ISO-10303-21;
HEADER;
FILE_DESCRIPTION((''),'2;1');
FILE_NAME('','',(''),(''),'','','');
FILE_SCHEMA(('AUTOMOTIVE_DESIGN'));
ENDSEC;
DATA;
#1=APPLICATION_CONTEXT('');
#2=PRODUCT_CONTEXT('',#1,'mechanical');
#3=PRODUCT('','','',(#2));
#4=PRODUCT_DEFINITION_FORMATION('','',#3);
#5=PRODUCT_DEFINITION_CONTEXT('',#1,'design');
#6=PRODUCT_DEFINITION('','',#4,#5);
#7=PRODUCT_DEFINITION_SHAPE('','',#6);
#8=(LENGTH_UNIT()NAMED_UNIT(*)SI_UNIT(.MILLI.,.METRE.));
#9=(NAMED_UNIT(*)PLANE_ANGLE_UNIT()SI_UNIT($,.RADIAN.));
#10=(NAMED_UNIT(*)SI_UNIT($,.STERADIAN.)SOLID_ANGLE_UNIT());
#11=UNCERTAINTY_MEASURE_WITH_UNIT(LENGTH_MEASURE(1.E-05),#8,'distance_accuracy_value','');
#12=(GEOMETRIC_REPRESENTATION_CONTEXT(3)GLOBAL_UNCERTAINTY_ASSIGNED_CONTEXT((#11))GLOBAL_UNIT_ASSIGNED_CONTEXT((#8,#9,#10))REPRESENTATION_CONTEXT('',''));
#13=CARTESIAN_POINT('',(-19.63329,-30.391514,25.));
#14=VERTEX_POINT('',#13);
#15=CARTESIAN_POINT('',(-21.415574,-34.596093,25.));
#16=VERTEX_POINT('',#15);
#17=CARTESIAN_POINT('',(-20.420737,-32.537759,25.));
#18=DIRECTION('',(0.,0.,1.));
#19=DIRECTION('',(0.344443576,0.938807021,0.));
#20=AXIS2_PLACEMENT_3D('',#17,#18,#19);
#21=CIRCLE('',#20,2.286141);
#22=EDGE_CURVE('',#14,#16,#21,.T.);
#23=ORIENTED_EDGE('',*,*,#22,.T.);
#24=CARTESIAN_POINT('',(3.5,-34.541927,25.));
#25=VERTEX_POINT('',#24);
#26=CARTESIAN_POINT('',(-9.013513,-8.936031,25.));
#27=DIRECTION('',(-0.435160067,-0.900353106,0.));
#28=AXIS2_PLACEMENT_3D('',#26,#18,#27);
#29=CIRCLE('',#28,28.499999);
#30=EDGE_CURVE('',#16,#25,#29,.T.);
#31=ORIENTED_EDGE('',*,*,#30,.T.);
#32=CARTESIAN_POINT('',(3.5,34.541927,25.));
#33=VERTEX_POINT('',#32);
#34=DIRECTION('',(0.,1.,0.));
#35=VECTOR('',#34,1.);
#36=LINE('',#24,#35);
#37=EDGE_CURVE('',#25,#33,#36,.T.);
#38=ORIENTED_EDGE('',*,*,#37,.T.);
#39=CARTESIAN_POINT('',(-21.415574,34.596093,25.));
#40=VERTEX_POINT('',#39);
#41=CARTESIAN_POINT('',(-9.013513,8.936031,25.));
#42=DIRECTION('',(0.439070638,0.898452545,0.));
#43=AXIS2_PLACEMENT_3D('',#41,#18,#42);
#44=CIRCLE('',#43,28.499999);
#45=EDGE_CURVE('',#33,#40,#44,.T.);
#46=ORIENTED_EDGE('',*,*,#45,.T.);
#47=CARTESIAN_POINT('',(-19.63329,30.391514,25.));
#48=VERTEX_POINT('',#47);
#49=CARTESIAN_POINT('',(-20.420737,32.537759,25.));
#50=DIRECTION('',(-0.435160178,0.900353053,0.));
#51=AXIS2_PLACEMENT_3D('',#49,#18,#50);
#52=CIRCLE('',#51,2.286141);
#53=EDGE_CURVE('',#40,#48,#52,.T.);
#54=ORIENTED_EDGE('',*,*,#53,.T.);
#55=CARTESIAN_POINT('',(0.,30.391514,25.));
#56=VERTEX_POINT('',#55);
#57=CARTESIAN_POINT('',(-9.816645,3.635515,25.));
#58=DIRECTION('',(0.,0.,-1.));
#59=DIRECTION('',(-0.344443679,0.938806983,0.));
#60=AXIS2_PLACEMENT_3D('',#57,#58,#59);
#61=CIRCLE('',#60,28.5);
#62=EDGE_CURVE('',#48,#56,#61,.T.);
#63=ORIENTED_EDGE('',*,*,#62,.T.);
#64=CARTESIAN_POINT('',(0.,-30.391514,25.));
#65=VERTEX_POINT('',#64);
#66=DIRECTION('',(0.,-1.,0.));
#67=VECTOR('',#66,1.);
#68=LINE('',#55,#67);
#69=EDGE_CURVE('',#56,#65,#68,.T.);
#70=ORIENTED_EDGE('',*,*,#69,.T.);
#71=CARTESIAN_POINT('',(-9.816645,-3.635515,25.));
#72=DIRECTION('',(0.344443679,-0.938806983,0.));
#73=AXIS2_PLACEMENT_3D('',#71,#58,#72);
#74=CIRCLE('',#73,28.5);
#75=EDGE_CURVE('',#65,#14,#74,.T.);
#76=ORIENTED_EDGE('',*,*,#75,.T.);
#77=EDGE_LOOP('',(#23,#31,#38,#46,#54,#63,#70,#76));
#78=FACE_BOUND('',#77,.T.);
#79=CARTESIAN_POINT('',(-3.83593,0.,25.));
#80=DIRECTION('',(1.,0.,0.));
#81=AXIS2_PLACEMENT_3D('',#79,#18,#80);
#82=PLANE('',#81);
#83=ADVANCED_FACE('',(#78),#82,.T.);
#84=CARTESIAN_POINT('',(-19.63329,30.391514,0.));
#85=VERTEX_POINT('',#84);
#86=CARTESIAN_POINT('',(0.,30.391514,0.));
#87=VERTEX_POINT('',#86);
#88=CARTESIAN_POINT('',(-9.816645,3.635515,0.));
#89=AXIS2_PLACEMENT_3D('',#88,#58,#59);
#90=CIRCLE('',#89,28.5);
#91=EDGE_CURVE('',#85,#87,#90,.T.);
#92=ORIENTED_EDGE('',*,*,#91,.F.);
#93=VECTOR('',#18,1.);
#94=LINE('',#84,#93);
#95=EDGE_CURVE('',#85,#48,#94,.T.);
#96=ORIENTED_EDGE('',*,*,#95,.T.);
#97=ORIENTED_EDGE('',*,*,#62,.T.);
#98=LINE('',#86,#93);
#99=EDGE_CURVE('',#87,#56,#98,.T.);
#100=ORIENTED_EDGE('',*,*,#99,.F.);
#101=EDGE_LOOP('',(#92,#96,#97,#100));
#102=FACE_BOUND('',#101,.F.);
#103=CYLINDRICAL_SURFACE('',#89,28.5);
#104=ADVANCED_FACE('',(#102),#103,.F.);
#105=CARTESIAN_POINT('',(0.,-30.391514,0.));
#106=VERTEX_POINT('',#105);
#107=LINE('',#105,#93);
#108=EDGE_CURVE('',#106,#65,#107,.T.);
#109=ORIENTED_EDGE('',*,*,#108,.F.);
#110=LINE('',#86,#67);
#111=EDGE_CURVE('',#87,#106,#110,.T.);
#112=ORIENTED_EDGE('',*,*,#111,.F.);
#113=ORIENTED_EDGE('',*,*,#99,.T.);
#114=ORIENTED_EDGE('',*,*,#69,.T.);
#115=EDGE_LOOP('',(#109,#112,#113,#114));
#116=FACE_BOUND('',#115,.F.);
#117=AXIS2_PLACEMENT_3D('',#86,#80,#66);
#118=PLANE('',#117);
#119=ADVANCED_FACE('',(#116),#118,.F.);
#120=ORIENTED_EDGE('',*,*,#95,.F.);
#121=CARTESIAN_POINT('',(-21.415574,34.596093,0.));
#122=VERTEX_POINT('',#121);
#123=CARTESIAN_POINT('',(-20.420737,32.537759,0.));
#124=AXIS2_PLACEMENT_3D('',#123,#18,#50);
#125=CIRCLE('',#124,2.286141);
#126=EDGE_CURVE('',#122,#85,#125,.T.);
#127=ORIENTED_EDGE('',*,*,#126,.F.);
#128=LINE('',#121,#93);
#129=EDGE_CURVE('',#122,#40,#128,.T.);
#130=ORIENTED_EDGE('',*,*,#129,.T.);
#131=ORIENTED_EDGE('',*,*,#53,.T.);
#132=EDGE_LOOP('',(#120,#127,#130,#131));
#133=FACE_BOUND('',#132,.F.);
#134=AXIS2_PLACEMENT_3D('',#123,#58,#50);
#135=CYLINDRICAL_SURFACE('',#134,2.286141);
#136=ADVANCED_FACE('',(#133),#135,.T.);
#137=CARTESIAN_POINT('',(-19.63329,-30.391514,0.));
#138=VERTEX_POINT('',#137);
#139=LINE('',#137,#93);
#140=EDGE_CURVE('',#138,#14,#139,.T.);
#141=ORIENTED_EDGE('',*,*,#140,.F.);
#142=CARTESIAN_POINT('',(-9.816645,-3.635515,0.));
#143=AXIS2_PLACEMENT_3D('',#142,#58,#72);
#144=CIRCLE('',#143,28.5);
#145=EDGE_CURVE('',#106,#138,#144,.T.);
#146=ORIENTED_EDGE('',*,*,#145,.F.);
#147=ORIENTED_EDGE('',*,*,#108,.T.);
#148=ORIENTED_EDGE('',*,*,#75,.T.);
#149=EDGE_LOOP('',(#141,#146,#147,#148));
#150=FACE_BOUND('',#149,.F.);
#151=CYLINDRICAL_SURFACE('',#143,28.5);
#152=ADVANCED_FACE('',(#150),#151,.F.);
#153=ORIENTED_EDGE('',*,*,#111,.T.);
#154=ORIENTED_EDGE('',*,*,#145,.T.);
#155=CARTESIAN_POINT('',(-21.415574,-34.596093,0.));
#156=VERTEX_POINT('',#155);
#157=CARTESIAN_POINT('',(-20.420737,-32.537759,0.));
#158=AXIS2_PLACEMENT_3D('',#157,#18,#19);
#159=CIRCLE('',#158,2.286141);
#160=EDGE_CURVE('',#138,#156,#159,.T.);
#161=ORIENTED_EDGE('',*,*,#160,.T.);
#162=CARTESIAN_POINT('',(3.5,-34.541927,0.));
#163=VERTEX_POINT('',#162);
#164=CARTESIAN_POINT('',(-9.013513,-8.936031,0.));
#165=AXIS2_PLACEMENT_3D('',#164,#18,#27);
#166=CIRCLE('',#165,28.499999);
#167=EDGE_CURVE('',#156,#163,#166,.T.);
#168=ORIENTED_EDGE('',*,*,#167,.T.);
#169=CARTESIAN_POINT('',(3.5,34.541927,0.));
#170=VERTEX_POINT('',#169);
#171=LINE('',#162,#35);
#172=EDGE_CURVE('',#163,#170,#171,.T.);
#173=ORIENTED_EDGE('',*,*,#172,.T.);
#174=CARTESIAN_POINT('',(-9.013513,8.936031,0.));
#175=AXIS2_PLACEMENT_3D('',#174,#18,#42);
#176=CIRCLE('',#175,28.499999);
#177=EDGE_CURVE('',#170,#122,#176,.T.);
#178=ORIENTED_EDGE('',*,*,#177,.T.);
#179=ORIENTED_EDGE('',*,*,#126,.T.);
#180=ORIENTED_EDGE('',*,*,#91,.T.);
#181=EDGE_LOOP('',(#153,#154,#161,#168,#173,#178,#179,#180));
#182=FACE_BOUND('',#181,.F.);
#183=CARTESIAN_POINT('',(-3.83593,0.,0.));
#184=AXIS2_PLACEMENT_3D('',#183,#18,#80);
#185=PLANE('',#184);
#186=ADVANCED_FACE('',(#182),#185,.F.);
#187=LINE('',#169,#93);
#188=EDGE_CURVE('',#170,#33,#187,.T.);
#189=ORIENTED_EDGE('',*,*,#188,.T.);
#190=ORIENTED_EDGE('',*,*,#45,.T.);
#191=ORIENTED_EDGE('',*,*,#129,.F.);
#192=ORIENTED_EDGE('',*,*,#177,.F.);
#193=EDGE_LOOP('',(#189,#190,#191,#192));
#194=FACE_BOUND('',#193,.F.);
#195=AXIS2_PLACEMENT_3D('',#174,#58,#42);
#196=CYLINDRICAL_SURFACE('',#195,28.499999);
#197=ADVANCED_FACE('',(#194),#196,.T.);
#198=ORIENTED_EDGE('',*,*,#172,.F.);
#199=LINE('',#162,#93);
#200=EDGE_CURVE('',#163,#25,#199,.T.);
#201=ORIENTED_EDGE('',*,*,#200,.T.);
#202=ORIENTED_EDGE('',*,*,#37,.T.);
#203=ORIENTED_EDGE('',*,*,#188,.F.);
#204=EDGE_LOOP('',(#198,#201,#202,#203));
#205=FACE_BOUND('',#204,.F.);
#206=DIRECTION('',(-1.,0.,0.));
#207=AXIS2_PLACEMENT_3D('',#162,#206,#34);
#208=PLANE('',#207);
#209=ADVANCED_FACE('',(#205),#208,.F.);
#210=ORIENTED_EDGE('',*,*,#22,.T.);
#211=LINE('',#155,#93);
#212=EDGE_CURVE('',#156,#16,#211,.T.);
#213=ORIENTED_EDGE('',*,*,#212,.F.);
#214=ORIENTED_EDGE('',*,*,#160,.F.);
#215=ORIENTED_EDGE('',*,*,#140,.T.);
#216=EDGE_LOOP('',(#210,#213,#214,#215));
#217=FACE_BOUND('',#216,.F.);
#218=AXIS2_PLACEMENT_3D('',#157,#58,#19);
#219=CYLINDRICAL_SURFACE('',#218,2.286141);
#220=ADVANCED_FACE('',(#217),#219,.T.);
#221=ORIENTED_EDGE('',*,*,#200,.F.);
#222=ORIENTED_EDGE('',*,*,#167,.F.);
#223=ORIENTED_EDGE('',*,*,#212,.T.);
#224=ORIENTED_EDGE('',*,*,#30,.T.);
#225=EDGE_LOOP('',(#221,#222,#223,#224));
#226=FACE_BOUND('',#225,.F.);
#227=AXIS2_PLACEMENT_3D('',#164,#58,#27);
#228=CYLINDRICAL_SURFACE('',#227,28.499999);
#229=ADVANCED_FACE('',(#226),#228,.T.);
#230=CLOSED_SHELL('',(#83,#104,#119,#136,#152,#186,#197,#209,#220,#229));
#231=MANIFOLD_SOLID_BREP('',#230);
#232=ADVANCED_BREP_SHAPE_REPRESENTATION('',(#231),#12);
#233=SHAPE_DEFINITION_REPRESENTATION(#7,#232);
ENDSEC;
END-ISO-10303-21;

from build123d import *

# Parameters (mm, degrees)
F1_DEPTH = 25


with BuildPart() as f1:
    # F0 (on Top) → F1 (new body)
    with BuildSketch(Plane.XY):
        with BuildLine():
            ThreePointArc((-19.63329, 30.391514), (-9.816645, 32.135515), (0, 30.391514))
            Line((0, 30.391514), (0, -30.391514))
            ThreePointArc((0, -30.391514), (-9.816645, -32.135515), (-19.63329, -30.391514))
            ThreePointArc((-19.63329, -30.391514), (-22.525582, -31.645534), (-21.415574, -34.596093))
            ThreePointArc((-21.415574, -34.596093), (-8.951554, -37.435962), (3.5, -34.541927))
            Line((3.5, -34.541927), (3.5, 34.541927))
            ThreePointArc((3.5, 34.541927), (-8.951554, 37.435962), (-21.415574, 34.596093))
            ThreePointArc((-21.415574, 34.596093), (-22.525582, 31.645534), (-19.63329, 30.391514))
        make_face()
    extrude(amount=F1_DEPTH)


solid = f1.part
